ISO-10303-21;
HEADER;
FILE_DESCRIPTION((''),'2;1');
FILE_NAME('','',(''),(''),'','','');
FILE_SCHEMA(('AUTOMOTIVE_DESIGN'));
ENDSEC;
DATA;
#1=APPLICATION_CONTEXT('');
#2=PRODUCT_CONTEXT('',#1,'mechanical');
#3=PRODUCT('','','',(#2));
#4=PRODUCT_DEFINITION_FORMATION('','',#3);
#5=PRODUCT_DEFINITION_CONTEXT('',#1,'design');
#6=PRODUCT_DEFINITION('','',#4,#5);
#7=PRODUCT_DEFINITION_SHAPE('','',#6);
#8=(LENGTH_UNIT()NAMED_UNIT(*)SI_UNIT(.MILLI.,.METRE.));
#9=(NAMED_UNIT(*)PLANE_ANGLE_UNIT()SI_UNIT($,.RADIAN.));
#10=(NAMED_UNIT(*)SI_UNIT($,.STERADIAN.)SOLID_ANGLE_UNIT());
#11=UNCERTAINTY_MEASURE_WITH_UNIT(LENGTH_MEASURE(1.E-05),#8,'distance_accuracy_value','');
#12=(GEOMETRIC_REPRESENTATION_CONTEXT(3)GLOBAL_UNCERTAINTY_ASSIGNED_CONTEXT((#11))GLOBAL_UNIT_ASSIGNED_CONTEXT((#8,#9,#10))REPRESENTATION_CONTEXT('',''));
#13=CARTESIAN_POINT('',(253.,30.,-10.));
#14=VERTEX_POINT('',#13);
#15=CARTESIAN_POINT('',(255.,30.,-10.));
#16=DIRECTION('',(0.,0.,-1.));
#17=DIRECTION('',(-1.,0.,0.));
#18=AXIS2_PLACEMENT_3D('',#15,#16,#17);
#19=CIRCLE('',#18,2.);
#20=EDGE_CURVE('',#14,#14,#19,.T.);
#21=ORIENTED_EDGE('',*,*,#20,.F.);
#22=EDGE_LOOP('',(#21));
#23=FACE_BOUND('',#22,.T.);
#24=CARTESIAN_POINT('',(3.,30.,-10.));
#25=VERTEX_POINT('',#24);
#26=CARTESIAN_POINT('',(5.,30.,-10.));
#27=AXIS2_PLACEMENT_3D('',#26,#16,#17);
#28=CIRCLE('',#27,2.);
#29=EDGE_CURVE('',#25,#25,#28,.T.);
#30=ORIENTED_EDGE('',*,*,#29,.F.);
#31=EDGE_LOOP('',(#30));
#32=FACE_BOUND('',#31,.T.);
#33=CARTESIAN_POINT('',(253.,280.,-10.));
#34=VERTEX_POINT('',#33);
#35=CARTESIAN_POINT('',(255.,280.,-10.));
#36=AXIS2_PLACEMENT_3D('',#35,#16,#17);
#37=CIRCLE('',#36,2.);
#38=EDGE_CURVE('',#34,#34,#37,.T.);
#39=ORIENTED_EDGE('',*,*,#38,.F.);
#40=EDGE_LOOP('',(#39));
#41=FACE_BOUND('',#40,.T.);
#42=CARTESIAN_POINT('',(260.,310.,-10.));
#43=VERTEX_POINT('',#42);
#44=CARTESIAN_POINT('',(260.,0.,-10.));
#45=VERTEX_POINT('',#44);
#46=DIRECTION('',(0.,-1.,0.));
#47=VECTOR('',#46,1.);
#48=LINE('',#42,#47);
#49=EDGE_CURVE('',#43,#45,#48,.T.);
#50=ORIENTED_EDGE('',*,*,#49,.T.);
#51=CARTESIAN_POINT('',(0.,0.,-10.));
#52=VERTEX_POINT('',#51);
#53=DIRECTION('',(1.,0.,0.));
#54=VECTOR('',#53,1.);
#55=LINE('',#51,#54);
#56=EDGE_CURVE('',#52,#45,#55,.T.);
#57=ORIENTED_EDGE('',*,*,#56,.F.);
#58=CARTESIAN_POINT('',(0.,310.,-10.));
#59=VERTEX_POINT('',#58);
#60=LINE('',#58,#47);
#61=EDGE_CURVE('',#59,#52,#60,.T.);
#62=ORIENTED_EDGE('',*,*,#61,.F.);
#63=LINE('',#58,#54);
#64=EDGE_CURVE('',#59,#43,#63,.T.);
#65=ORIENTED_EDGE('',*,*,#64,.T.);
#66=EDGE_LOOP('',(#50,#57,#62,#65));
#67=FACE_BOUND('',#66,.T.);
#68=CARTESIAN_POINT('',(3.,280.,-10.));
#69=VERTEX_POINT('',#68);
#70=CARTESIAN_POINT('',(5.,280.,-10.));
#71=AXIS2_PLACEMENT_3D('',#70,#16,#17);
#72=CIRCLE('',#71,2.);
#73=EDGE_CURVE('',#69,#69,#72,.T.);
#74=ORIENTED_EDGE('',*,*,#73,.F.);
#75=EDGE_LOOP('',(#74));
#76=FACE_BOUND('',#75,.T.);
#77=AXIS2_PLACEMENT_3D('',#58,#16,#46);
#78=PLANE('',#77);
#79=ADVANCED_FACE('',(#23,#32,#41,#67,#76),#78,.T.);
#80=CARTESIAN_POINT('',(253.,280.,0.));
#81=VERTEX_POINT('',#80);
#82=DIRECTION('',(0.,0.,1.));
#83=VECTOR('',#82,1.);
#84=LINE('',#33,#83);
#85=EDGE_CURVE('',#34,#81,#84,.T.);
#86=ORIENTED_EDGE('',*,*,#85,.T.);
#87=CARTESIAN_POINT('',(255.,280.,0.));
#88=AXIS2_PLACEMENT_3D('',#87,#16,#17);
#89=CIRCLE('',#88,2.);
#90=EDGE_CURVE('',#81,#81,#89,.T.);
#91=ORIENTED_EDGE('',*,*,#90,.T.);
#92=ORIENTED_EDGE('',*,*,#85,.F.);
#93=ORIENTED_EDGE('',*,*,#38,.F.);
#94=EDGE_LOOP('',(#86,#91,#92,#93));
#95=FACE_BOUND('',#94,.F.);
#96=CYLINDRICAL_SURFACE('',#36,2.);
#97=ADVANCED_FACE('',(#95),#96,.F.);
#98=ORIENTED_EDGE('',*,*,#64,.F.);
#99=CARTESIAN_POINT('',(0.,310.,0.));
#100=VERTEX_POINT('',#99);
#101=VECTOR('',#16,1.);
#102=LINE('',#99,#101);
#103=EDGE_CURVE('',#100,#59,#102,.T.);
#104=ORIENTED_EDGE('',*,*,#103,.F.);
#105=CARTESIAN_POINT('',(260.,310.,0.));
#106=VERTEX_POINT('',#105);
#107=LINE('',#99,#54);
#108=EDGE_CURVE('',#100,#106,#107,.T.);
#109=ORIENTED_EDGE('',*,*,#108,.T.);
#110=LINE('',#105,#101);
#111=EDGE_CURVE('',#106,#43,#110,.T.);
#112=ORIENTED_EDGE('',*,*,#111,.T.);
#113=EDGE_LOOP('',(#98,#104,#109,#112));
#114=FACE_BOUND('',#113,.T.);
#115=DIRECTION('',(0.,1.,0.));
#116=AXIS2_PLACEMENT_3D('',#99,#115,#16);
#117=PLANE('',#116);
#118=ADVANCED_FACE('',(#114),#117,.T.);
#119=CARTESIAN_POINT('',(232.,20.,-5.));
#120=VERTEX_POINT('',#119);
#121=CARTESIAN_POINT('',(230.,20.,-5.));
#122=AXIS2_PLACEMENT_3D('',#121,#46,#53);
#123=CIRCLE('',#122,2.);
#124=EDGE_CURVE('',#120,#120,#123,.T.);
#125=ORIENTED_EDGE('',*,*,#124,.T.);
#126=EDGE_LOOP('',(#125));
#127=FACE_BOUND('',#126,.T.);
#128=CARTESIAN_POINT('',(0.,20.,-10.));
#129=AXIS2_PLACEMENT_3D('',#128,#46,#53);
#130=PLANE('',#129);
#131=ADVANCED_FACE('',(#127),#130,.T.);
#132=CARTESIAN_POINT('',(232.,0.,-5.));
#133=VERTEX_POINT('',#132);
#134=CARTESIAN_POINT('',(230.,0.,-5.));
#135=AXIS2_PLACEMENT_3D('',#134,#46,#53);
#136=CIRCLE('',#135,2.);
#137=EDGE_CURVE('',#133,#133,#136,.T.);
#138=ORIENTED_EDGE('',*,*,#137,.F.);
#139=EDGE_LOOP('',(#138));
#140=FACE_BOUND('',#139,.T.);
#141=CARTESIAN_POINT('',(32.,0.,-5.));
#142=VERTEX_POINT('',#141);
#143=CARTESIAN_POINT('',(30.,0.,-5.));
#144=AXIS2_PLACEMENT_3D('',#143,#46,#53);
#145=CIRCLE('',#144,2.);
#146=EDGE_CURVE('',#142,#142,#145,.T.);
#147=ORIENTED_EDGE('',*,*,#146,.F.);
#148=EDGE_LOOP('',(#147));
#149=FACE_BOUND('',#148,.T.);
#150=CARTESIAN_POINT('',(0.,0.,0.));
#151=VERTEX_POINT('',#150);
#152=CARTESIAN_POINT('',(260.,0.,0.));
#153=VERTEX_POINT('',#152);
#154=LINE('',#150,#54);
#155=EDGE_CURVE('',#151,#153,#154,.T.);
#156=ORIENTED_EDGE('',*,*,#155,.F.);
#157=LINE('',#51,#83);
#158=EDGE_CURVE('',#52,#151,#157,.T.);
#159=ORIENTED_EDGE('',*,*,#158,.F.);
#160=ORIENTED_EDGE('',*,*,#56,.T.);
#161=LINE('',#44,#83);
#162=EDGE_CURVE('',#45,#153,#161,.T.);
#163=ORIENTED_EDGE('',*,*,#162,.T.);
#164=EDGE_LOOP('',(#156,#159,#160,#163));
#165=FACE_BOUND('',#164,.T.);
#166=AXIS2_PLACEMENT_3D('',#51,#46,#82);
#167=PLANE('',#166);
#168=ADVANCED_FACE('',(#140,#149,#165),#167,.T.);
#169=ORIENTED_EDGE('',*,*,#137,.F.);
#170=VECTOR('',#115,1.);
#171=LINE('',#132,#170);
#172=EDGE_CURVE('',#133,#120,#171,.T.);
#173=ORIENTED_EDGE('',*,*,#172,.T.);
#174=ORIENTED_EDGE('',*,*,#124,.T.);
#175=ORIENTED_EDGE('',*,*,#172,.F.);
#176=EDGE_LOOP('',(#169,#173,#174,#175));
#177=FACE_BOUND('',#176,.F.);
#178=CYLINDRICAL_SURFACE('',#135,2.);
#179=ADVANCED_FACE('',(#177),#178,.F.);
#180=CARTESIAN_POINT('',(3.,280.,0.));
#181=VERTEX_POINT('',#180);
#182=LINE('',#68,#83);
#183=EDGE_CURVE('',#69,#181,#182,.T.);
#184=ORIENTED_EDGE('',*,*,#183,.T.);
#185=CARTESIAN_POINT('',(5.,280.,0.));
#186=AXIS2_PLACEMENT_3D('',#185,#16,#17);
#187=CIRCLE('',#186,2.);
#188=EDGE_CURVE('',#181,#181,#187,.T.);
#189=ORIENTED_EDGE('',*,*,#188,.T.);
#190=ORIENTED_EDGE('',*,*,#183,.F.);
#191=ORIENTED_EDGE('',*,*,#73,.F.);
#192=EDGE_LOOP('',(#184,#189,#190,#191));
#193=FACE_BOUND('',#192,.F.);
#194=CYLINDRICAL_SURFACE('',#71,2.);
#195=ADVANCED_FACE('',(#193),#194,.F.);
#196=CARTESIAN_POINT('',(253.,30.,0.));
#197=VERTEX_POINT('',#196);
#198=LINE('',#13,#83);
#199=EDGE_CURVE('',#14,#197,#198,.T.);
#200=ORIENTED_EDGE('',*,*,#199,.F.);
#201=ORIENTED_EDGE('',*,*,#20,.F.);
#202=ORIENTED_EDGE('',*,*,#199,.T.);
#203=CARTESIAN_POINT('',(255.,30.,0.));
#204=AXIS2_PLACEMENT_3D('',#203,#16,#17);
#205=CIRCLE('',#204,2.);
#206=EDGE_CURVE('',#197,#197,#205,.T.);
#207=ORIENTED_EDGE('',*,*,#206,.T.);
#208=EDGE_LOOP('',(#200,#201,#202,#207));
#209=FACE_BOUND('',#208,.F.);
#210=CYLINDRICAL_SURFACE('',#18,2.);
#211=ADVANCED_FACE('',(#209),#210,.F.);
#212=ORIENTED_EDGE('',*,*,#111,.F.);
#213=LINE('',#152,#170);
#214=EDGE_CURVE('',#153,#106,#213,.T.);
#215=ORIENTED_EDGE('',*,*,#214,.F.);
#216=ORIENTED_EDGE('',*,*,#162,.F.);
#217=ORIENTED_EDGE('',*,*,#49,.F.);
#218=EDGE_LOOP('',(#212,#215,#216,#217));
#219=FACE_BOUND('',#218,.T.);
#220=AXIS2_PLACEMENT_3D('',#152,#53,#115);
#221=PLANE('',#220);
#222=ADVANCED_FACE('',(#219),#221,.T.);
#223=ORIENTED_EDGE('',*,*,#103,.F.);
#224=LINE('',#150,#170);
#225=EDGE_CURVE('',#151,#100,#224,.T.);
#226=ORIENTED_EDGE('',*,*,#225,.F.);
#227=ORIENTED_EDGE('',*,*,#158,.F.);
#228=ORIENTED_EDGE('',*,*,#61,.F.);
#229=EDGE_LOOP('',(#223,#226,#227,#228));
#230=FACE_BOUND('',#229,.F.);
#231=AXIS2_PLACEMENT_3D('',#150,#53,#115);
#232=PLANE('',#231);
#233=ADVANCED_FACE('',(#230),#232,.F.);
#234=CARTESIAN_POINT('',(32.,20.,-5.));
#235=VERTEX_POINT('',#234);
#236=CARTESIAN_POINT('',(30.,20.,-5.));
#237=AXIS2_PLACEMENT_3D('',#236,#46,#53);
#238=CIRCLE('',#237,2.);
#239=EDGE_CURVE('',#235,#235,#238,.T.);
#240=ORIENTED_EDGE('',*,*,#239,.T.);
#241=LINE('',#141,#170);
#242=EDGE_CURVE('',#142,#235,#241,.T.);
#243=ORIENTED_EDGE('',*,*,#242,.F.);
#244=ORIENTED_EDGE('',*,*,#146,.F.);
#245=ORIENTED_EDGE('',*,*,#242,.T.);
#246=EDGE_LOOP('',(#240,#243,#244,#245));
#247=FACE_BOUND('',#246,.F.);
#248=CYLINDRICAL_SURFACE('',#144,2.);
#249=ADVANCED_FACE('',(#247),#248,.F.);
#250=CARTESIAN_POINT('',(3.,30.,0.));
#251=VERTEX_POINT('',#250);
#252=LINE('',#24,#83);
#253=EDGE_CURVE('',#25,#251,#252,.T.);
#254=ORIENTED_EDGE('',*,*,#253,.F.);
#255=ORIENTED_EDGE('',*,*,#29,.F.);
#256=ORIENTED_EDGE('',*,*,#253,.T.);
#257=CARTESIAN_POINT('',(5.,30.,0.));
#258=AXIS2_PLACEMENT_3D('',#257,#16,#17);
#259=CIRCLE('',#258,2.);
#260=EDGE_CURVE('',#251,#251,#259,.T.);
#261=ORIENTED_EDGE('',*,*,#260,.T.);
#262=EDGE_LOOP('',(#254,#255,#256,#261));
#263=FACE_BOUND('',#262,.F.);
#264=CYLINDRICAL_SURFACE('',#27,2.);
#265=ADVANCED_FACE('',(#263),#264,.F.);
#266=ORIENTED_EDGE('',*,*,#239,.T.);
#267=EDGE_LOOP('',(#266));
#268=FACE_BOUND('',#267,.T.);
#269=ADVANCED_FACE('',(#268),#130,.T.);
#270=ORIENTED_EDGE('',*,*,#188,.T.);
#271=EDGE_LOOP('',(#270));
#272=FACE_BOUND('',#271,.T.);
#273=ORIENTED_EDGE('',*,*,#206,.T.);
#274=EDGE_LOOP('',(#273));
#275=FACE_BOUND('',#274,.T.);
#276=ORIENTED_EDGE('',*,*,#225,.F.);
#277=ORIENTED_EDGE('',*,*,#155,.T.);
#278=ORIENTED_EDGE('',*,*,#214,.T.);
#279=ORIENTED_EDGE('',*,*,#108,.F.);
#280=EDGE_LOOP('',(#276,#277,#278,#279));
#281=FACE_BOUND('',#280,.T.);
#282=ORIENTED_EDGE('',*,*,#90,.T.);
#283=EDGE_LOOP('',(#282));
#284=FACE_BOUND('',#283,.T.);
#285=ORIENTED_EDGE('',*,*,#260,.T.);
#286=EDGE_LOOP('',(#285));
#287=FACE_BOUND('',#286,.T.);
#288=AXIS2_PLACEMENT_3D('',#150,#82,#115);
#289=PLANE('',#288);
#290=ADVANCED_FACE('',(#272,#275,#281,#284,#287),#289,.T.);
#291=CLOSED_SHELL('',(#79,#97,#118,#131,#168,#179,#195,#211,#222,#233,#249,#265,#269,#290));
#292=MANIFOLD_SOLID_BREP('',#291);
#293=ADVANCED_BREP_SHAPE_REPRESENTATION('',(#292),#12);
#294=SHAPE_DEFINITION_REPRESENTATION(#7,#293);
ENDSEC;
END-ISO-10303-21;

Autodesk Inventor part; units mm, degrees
ref_plane "YZ Plane" through (0, 0, 0) normal (1, 0, 0) x (0, 1, 0)
ref_plane "XZ Plane" through (0, 0, 0) normal (0, 1, 0) x (-1, 0, 0)
ref_plane "XY Plane" through (0, 0, 0) normal (0, 0, 1) x (1, 0, 0)
sketch "Sketch1" plane through (0, 0, 0) normal (1, 0, 0) x (0, 1, 0)
  line L0 (0, 0) -> (310, 0)
  line L1 (310, 0) -> (310, -10)
  line L2 (310, -10) -> (0, -10)
  line L3 (0, -10) -> (0, 0)
  dimension "d0" = 310
  dimension "d1" = 10
extrude "Extrusion1" add sketch "Sketch1" along normal blind 260
sketch "Sketch2" plane through (0, 0, -10) normal (0, 0, -1) x (-1, 0, 0)
  circle A0 centre (-255, 280) radius 2
  line L0 (-260, 0) -> (-260, 310) projected
  line L1 (0, 310) -> (-260, 310) projected
  circle A1 centre (-255, 30) radius 2
  circle A2 centre (-5, 280) radius 2
  circle A3 centre (-5, 30) radius 2
  point P0 (0, 0)
  dimension "d4" = 4
  dimension "d5" = 5
  dimension "d6" = 30
  dimension "d9" = 250
  dimension "d12" = 250
extrude "Extrusion2" cut sketch "Sketch2" against normal through all
sketch "Sketch3" plane through (0, 0, -10) normal (0, -1, 0) x (1, 0, 0)
  circle A0 centre (30, 5) radius 2
  line L0 (0, 0) -> (260, 0) projected
  line L1 (0, 0) -> (0, 10) projected
  circle A1 centre (230, 5) radius 2
  dimension "d17" = 4
  dimension "d18" = 5
  dimension "d19" = 30
  dimension "d22" = 200
extrude "Extrusion3" cut sketch "Sketch3" against normal blind 20
properties part number "box_back"
